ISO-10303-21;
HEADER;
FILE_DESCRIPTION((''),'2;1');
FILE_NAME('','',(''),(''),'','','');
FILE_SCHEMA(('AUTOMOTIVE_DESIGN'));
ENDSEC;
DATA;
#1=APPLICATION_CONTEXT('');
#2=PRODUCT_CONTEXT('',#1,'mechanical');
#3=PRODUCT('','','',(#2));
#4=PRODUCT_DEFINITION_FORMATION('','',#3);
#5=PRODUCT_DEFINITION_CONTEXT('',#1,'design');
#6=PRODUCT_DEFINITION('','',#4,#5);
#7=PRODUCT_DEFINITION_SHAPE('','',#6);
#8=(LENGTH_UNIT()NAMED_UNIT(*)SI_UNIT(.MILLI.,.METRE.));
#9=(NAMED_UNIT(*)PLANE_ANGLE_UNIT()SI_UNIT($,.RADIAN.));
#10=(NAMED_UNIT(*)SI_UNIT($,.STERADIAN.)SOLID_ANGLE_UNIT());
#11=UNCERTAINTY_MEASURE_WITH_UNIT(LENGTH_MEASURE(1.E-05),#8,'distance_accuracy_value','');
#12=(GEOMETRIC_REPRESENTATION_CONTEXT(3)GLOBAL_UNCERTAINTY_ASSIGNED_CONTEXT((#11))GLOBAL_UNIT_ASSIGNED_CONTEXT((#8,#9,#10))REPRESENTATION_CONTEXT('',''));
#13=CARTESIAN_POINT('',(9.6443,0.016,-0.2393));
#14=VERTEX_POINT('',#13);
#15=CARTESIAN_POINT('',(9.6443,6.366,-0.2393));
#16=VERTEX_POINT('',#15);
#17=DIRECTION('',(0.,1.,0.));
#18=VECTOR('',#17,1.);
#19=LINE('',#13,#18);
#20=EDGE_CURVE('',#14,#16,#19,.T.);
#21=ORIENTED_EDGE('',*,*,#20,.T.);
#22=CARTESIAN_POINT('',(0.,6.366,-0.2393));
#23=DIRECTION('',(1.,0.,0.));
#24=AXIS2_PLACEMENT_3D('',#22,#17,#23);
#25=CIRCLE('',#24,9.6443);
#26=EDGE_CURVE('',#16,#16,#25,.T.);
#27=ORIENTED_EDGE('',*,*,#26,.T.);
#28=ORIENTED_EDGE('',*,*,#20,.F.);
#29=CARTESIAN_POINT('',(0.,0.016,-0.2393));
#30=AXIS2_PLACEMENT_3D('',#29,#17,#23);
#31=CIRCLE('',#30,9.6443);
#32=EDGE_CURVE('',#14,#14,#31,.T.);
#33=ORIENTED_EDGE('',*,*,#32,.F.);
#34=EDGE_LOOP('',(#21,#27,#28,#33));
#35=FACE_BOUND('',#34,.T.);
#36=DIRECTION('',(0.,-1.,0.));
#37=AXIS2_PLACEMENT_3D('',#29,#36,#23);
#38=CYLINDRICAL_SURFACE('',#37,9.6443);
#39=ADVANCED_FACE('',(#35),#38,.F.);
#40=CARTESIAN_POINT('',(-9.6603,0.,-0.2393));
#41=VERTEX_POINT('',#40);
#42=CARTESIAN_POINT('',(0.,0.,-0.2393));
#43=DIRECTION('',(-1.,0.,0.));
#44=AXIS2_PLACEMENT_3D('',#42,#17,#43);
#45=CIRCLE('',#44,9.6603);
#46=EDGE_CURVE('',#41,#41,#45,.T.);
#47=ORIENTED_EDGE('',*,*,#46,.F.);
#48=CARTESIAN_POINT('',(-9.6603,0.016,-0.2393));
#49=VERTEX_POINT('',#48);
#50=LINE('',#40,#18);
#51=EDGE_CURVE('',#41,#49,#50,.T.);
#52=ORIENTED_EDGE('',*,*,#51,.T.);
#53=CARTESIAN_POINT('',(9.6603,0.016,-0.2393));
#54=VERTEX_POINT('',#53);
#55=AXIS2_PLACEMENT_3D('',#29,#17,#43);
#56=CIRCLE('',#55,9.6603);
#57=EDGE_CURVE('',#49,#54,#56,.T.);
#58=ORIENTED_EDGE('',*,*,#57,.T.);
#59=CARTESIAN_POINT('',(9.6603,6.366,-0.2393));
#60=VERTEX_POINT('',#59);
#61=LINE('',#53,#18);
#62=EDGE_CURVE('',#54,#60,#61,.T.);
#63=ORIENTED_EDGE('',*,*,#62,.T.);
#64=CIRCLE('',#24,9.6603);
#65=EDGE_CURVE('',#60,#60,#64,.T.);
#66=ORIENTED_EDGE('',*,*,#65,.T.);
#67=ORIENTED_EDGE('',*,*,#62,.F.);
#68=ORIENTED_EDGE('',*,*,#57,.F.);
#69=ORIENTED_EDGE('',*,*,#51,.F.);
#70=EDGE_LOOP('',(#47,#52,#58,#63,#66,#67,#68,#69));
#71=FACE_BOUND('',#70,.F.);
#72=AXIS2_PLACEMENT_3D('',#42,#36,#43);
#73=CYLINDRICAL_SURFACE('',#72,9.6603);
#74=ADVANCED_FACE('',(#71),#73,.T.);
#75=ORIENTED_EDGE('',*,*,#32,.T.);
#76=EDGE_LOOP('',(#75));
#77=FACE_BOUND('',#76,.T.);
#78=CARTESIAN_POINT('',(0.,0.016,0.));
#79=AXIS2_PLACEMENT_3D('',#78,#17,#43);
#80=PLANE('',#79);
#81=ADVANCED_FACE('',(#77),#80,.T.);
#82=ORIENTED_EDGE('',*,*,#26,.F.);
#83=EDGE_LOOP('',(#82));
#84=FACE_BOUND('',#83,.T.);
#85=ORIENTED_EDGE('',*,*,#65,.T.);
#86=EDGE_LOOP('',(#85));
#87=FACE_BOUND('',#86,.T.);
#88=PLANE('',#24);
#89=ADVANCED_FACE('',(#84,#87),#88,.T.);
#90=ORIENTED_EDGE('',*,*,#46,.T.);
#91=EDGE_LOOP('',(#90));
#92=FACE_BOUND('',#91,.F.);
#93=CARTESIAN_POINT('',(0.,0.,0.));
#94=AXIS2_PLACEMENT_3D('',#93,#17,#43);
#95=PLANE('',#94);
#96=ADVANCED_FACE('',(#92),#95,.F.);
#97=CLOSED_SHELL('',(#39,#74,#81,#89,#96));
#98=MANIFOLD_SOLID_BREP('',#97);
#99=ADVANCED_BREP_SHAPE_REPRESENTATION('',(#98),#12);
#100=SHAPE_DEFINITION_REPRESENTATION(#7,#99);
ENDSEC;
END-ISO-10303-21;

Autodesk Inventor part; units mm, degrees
ref_plane "YZ Plane" through (0, 0, 0) normal (1, 0, 0) x (0, 1, 0)
ref_plane "XZ Plane" through (0, 0, 0) normal (0, 1, 0) x (-1, 0, 0)
ref_plane "XY Plane" through (0, 0, 0) normal (0, 0, 1) x (1, 0, 0)
sketch "Sketch1" plane through (0, 0, 0) normal (0, 1, 0) x (-1, 0, 0)
  circle A0 centre (0, -0.2393) radius 9.6603
  point P0 (0, 0)
  dimension "d0" = 19.3205
extrude "Extrusion1" add sketch "Sketch1" along normal blind 0.016
sketch "Sketch2" plane through (0, 0.016, -0.2393) normal (0, 1, 0) x (1, 0, 0)
  circle A0 centre (0, 0) radius 9.6603 projected
  circle A1 centre (0, 0) radius 9.6443
  point P0 (0, -0.2393)
  dimension "d3" = 0.016
extrude "Extrusion2" add sketch "Sketch2" along normal blind 6.35
properties part number "foil" material "Aluminum 6061"
